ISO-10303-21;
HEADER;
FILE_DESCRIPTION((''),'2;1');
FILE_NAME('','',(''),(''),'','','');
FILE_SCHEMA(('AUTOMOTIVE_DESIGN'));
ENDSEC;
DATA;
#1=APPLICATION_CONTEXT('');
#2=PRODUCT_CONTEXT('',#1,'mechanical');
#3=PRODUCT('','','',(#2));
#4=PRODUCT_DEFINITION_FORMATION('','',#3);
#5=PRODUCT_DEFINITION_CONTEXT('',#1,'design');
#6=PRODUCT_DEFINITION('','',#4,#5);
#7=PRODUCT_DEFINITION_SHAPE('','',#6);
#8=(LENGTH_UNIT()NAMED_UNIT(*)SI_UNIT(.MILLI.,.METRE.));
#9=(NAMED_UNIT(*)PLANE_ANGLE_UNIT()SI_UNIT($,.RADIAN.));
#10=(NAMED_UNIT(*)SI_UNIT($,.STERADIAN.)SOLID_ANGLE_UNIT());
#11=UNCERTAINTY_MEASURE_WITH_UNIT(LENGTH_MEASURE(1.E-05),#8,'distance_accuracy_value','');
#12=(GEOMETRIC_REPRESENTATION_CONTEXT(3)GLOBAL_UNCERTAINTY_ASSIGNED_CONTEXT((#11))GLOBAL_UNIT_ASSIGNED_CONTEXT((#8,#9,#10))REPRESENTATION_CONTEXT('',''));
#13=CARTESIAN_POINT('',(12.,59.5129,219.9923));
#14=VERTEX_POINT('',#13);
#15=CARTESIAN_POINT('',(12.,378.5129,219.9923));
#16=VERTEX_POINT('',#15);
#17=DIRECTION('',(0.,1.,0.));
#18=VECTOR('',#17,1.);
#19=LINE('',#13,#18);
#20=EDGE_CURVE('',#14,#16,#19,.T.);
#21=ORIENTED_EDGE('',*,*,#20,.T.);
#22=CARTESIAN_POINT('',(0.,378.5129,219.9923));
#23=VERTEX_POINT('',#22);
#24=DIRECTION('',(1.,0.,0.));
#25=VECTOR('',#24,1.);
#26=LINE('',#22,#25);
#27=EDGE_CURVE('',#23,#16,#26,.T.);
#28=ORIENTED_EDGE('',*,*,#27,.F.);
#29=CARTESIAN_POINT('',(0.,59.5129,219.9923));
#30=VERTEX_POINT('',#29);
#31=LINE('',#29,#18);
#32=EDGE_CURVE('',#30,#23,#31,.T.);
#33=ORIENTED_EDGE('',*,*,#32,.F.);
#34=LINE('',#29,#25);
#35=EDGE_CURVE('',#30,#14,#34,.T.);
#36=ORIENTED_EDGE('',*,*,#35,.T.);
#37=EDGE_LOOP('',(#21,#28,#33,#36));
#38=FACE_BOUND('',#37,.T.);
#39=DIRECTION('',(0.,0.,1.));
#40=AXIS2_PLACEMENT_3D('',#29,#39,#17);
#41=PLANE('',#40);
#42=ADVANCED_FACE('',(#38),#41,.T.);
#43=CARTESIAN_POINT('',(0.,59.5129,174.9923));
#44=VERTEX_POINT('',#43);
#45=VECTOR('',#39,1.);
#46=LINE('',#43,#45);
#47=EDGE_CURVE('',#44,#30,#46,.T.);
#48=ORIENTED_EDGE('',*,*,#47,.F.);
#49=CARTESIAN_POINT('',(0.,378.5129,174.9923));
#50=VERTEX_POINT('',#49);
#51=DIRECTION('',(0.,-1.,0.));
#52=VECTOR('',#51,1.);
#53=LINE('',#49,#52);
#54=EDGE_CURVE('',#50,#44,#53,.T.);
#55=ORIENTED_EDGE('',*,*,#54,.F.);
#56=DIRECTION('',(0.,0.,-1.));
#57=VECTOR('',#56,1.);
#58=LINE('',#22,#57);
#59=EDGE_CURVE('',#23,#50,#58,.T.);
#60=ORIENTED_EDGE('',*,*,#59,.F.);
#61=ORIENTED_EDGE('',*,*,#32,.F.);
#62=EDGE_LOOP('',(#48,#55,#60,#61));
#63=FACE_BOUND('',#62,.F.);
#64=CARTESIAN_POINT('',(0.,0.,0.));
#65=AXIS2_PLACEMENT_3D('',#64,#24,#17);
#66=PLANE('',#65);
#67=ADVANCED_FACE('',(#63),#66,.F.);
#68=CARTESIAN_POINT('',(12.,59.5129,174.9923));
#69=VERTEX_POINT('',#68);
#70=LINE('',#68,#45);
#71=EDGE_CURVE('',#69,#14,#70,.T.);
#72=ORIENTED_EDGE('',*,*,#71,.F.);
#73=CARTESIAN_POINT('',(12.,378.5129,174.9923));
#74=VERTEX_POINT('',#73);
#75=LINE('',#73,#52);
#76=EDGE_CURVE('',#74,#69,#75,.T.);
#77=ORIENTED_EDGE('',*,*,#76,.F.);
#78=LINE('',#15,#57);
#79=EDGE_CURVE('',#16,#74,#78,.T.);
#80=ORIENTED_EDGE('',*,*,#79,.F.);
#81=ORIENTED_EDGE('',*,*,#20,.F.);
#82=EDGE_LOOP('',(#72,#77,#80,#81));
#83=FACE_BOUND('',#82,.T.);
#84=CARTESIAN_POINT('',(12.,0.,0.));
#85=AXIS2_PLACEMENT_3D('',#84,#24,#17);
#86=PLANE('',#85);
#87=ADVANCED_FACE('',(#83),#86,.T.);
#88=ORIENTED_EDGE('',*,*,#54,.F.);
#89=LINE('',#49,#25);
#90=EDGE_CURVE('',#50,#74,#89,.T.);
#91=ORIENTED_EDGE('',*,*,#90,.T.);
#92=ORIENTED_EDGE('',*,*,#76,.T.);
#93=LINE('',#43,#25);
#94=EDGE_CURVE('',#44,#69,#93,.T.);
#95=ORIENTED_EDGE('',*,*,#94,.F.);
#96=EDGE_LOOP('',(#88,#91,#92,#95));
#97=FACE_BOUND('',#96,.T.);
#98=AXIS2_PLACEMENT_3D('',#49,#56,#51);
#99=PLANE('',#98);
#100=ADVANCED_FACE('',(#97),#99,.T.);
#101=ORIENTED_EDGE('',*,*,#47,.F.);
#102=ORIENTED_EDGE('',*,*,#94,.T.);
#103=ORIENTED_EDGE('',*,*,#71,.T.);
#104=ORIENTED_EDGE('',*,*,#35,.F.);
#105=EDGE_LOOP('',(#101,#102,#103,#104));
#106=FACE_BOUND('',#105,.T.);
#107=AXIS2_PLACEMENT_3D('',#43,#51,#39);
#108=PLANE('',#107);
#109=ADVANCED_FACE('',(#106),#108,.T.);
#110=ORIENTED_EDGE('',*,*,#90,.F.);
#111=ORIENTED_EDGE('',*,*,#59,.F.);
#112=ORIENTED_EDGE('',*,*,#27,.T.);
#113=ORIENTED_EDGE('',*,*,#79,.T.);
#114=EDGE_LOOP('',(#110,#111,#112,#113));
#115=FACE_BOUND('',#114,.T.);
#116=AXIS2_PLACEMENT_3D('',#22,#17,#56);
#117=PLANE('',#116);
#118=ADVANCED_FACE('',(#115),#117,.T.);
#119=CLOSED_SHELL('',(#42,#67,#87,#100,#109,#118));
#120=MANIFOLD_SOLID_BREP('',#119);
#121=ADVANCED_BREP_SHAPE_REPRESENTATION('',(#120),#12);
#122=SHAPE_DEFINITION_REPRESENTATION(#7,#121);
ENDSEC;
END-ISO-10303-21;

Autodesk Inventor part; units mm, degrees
ref_plane "YZ Plane" through (0, 0, 0) normal (1, 0, 0) x (0, 1, 0)
ref_plane "XZ Plane" through (0, 0, 0) normal (0, 1, 0) x (-1, 0, 0)
ref_plane "XY Plane" through (0, 0, 0) normal (0, 0, 1) x (1, 0, 0)
sketch "Sketch1" plane through (0, 0, 0) normal (1, 0, 0) x (0, 1, 0)
  line L0 (378.5129, 174.9923) -> (59.5129, 174.9923)
  line L1 (59.5129, 174.9923) -> (59.5129, 219.9923)
  line L2 (59.5129, 219.9923) -> (378.5129, 219.9923)
  line L3 (378.5129, 219.9923) -> (378.5129, 174.9923)
  point P0 (0, 0)
  dimension "d0" = 319
  dimension "d1" = 45
extrude "Extrusion1" add sketch "Sketch1" along normal blind 12
properties part number "CUT PART P"
